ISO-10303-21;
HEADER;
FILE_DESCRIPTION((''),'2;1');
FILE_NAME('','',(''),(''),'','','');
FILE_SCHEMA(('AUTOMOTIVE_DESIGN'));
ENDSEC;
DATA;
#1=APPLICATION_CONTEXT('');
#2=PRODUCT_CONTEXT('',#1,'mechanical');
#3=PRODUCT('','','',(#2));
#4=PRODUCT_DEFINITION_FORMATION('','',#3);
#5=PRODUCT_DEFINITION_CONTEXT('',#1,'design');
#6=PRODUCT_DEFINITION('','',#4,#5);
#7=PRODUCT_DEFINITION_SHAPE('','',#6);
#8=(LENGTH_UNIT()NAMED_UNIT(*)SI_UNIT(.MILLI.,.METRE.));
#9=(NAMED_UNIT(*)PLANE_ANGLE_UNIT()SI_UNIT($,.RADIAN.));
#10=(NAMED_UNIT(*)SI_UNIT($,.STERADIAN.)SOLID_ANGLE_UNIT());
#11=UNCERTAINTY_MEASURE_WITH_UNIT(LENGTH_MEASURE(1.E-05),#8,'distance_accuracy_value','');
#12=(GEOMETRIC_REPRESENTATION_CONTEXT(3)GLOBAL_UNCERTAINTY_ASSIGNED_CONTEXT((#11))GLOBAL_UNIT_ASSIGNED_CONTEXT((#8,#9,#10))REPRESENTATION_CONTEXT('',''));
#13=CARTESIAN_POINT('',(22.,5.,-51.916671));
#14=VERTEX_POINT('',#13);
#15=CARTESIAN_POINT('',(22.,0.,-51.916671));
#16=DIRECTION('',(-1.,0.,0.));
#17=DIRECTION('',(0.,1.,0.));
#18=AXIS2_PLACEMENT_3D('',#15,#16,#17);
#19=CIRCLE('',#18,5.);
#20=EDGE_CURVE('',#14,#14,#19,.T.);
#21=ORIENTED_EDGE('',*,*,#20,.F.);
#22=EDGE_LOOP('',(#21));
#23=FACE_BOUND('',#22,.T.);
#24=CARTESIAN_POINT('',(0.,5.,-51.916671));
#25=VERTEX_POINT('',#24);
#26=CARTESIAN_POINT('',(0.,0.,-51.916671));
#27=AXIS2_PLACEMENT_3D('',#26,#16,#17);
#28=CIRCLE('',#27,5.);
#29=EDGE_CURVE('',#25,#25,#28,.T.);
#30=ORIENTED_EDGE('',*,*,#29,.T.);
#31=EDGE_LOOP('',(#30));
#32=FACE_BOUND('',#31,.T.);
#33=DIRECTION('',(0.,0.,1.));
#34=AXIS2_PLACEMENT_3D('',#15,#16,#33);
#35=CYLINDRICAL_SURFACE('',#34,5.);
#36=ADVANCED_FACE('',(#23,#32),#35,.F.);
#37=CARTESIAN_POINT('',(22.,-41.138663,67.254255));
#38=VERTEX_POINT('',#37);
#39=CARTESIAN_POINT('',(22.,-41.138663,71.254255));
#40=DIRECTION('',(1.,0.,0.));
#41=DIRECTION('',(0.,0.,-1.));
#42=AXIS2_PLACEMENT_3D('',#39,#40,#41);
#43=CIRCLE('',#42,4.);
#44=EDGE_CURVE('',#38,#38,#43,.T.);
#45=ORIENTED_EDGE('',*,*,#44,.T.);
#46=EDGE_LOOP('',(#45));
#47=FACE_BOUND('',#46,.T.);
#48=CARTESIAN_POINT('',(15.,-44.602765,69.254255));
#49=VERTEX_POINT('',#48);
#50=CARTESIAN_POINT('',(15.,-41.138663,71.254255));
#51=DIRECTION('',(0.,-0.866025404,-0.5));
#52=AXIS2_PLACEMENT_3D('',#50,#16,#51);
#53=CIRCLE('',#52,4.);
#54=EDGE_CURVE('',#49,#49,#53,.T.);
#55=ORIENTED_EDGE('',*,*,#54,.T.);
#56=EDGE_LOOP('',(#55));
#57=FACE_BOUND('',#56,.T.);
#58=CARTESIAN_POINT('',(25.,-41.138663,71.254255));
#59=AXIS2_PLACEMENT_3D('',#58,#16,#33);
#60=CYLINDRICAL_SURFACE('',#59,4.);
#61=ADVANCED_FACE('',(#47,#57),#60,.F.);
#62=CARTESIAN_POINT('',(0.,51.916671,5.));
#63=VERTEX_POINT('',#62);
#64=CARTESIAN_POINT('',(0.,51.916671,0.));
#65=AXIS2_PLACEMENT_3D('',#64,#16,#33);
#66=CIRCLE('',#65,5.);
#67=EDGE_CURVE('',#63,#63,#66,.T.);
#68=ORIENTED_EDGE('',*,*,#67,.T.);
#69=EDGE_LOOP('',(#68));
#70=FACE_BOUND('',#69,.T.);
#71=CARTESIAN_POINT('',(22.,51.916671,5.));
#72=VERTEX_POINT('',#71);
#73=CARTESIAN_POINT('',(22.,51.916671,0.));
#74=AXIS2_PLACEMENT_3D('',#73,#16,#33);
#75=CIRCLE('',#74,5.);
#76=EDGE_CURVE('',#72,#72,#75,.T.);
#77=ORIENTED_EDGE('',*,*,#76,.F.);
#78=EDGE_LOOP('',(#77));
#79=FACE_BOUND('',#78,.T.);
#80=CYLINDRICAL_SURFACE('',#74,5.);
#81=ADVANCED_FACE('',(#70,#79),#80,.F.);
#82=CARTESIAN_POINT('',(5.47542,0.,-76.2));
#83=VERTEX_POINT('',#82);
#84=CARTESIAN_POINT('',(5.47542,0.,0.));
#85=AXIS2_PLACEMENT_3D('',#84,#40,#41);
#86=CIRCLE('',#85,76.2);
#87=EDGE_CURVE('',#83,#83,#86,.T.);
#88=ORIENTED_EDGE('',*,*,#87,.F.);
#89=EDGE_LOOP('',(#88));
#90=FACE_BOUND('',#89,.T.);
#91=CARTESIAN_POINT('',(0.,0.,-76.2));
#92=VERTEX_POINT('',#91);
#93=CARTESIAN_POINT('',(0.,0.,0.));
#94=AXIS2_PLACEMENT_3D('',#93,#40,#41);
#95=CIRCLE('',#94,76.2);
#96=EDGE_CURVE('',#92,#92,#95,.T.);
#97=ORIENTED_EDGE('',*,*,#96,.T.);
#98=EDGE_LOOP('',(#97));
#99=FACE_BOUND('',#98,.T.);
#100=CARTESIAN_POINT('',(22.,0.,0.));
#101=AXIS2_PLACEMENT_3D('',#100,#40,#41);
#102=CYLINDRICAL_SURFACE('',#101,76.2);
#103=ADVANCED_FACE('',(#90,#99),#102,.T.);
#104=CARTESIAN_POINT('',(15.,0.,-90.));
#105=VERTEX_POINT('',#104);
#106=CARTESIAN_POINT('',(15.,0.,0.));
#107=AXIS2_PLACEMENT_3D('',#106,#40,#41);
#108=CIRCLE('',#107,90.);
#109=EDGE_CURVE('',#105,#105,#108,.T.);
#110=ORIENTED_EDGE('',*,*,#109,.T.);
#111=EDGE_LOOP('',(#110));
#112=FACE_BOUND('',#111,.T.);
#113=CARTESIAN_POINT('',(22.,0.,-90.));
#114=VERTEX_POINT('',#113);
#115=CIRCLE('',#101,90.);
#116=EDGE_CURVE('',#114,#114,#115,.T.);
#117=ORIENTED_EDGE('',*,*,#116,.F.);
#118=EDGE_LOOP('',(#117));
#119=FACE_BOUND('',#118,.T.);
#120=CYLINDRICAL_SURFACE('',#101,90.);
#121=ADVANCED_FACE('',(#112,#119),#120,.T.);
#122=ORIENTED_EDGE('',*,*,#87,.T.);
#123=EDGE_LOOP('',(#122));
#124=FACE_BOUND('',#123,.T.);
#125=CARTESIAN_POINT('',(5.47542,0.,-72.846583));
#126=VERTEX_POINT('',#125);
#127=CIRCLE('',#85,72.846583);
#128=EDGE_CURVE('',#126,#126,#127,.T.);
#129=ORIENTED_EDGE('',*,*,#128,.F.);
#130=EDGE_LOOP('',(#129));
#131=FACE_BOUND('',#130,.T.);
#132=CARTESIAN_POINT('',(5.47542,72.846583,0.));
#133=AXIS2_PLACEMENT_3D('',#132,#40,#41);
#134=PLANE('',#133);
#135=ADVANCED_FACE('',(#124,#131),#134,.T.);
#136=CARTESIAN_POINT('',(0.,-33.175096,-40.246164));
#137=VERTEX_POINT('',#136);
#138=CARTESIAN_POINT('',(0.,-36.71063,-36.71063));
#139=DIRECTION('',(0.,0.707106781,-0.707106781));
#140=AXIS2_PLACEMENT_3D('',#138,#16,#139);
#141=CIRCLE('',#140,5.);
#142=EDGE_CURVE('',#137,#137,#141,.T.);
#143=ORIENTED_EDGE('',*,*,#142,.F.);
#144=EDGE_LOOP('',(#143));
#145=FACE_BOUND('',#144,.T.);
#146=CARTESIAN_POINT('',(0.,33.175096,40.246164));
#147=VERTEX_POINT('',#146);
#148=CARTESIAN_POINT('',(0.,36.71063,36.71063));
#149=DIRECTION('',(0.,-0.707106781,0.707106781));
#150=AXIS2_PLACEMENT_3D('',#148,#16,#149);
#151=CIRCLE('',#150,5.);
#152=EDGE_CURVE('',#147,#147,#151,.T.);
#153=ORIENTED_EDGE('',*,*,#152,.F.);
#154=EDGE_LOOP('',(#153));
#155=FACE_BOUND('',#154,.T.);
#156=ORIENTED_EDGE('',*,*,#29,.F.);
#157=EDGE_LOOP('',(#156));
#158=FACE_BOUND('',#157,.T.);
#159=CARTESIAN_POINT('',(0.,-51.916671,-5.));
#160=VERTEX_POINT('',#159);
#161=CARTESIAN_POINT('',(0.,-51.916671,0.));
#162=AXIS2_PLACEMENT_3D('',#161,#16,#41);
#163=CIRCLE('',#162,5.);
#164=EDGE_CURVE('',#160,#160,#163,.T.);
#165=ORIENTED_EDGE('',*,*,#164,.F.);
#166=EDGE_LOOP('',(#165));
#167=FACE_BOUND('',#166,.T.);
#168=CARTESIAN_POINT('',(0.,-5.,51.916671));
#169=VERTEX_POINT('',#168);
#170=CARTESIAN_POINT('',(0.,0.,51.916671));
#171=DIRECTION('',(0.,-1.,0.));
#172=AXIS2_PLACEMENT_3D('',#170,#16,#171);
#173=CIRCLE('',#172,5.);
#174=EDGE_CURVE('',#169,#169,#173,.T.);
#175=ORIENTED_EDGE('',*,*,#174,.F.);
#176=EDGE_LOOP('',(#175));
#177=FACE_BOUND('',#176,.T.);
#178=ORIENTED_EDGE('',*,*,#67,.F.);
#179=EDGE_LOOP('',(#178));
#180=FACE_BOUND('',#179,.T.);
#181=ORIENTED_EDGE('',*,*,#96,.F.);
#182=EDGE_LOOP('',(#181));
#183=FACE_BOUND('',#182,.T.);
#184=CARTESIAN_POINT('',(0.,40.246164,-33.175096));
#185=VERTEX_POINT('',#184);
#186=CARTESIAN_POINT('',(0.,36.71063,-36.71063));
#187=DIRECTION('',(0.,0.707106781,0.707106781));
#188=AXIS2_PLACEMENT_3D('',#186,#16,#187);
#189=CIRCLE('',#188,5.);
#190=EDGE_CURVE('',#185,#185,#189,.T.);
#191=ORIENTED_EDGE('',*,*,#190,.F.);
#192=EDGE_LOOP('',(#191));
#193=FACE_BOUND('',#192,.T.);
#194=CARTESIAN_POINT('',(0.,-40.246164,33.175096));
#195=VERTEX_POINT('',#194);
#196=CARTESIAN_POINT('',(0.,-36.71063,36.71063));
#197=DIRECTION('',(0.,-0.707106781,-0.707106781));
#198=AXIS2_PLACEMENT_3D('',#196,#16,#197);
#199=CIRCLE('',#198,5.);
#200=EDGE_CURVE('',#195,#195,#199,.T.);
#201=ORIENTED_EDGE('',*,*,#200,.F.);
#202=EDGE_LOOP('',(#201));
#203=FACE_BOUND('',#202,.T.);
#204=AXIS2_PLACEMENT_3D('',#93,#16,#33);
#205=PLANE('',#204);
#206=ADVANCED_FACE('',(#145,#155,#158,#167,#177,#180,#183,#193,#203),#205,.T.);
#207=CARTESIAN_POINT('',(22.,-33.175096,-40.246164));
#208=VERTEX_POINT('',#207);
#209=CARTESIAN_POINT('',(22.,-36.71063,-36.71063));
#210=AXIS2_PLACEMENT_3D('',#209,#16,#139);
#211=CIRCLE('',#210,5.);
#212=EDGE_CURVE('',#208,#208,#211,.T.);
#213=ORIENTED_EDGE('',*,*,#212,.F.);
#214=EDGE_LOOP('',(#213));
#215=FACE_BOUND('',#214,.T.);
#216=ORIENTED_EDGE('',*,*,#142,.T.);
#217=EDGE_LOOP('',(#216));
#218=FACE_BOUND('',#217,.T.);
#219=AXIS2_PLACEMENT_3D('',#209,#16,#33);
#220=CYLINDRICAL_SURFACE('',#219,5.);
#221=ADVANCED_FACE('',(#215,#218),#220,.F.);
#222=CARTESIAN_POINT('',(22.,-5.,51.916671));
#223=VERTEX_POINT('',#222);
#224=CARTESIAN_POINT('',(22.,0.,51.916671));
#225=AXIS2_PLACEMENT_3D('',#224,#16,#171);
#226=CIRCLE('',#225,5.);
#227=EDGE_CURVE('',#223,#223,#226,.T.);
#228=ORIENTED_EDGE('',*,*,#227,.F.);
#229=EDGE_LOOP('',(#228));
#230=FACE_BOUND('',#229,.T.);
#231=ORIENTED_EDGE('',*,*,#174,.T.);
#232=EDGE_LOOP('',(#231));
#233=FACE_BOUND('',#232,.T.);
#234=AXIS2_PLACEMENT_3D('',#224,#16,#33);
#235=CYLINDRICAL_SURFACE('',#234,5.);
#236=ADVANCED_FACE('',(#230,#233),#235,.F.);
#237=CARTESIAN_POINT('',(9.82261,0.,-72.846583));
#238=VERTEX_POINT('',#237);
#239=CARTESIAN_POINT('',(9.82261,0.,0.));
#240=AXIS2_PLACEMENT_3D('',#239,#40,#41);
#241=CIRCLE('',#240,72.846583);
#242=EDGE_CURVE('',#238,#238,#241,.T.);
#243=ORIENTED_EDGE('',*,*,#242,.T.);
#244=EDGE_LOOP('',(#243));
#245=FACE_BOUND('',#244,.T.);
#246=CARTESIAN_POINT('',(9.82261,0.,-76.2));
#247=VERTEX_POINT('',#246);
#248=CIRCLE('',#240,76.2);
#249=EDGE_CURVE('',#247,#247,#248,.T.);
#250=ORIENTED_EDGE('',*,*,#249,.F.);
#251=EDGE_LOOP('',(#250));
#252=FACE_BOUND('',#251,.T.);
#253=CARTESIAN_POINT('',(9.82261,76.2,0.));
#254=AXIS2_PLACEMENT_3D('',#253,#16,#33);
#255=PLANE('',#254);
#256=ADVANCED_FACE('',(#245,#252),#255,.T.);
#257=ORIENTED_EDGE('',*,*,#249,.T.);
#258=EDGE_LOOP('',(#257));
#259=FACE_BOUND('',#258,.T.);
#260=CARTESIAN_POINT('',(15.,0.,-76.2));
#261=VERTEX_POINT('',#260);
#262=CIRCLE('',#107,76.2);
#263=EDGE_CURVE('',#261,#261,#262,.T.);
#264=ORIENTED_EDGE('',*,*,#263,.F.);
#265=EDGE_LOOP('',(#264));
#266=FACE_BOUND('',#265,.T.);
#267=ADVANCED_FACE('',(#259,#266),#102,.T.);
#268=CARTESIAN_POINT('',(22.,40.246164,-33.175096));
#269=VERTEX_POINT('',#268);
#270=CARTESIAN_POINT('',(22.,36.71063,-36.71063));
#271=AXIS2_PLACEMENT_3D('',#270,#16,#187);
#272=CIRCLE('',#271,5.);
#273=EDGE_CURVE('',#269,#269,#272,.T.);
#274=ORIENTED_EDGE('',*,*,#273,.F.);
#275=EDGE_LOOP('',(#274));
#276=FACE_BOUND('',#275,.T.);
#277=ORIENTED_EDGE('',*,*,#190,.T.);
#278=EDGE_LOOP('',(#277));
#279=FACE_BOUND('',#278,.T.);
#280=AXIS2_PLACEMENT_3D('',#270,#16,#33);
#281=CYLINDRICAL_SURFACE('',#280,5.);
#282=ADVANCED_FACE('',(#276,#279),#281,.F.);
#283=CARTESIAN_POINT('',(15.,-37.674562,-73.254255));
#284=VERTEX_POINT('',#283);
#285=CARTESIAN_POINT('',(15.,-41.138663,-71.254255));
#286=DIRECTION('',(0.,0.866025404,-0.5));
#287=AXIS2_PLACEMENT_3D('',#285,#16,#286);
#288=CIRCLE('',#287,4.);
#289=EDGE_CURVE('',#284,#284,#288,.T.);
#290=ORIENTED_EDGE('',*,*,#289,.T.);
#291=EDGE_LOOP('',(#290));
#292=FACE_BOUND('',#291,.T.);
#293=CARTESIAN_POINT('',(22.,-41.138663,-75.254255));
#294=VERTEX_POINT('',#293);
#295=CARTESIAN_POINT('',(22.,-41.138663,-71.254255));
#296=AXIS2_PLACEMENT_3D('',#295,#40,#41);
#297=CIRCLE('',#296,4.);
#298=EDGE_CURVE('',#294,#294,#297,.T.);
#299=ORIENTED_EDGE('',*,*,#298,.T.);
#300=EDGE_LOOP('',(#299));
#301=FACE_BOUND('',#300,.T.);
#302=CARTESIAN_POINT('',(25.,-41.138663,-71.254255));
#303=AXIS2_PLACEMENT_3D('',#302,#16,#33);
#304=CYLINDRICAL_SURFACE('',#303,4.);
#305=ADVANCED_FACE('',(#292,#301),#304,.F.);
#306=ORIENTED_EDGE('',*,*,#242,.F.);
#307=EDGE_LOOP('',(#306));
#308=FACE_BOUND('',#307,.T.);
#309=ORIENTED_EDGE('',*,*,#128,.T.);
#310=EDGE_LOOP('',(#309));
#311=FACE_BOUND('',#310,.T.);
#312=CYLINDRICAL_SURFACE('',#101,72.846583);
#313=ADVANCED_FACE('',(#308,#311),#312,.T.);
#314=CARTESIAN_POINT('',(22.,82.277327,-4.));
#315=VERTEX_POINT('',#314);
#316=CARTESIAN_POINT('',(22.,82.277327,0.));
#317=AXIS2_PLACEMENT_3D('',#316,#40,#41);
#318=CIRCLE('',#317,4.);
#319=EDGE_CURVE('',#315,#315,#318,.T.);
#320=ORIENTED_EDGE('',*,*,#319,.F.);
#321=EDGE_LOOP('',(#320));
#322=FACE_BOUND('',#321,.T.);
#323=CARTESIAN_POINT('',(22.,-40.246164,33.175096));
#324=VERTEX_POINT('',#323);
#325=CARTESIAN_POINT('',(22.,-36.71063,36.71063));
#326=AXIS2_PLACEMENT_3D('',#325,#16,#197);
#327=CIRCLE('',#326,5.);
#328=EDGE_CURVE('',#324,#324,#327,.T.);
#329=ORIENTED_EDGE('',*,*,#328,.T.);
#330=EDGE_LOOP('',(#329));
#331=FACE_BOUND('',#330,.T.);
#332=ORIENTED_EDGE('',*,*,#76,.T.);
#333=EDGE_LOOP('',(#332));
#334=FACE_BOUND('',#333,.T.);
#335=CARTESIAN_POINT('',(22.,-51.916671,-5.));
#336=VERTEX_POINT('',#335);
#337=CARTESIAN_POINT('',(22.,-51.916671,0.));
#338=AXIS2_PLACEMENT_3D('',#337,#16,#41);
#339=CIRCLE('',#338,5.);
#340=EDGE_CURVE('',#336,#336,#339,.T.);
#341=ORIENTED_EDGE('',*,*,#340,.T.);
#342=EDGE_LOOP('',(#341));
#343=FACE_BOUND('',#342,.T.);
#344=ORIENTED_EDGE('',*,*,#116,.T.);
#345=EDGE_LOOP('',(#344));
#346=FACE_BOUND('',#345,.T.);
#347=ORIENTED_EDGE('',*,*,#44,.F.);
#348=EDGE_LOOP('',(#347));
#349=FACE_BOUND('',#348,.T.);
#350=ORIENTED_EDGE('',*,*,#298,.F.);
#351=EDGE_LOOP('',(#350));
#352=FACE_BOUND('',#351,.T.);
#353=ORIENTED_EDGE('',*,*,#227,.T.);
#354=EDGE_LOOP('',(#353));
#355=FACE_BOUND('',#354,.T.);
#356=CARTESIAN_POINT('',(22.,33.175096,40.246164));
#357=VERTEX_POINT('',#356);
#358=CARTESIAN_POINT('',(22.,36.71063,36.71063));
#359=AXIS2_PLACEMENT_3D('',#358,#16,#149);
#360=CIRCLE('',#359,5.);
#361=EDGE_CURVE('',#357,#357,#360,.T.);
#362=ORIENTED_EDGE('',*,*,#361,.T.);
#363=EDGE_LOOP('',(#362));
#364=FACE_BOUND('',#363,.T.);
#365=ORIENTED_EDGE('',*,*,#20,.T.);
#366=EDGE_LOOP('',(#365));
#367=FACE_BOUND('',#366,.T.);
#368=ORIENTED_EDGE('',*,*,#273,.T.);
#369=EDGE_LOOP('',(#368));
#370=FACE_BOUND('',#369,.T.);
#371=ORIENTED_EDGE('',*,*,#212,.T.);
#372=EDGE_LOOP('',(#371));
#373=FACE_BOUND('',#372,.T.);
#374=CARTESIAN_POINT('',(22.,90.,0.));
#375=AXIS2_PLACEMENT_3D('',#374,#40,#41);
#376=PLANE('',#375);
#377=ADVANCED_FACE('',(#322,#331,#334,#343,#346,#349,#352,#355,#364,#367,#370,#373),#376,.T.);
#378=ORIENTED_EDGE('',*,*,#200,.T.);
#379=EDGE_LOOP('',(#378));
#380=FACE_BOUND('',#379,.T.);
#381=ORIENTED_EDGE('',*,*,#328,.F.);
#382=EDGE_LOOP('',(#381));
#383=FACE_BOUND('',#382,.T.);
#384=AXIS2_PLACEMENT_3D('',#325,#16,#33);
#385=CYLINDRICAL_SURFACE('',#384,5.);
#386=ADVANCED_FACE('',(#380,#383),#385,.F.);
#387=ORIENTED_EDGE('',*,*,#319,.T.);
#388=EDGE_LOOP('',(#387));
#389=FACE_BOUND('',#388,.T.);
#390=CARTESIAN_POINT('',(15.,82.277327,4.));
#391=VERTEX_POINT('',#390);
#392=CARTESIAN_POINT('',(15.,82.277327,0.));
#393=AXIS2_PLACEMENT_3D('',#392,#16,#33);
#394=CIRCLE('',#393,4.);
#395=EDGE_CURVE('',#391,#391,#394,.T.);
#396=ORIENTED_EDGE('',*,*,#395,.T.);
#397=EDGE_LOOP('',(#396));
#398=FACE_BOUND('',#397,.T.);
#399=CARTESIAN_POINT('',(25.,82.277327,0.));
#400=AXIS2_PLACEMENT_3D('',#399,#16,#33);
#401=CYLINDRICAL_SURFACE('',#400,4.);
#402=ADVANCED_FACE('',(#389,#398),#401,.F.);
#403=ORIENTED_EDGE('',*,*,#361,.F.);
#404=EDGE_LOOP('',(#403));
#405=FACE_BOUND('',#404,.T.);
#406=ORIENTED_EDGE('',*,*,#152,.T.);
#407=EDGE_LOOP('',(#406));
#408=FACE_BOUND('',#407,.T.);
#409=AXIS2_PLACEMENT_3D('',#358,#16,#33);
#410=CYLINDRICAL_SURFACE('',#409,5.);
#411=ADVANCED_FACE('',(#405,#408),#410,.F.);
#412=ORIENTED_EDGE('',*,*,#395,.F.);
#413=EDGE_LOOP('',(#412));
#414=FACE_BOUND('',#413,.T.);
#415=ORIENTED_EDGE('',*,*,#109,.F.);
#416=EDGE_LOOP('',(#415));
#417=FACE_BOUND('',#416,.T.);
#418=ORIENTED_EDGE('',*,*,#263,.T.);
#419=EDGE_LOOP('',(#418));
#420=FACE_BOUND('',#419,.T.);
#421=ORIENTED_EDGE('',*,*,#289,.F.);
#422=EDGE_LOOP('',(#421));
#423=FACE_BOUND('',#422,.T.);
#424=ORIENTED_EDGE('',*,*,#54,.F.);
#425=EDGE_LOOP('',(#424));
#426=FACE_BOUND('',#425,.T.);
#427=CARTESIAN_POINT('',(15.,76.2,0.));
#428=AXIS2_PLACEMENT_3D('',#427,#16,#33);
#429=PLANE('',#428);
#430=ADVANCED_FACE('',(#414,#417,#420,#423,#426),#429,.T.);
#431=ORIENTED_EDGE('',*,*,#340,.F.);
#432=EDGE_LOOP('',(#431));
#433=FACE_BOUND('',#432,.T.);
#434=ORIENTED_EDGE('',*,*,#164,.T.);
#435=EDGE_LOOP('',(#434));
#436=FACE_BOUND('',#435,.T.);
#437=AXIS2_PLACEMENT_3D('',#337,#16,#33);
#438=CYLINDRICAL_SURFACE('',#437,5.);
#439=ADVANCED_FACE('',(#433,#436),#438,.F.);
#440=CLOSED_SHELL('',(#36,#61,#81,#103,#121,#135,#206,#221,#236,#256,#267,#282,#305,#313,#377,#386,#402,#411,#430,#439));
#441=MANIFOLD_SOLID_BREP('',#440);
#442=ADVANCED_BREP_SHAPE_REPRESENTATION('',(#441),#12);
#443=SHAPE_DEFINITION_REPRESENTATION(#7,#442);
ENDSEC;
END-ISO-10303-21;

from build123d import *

# Parameters (mm, degrees)
SKETCH2_R          = 4
CUT_EXTRUDE1_DEPTH = 10
CIRPATTERN1_COUNT  = 3
SKETCH3_R          = 5
CUT_EXTRUDE2_DEPTH = 130.16655914
CIRPATTERN2_COUNT  = 8


with BuildPart() as part:
    # Sketch1 → Revolve1 (revolve)
    with BuildSketch(Plane.XY):
        Polygon((0, 0), (0, 76.2), (5.475419526, 76.2), (5.475419526, 72.846582988), (9.822609824, 72.846582988), (9.822609824, 76.2), (15, 76.2), (15, 90), (22, 90), (22, 0), align=None)
    revolve(axis=Axis((22, 0, 0), (-1, 0, 0)))

    # Sketch2 → Cut-Extrude1 (cut)
    with BuildSketch(Plane.ZY.offset(-15)):
        with Locations((0, 82.277326688)):
            Circle(SKETCH2_R)
    cut_extrude1 = extrude(amount=-CUT_EXTRUDE1_DEPTH, mode=Mode.SUBTRACT)

    # CirPattern1: Cut-Extrude1 ×3 about axis
    cirpattern1_axis = Axis((-80.9, 0, 0), (1, 0, 0))
    for i in range(1, CIRPATTERN1_COUNT):
        add(cut_extrude1.rotate(cirpattern1_axis, i * 360 / CIRPATTERN1_COUNT), mode=Mode.SUBTRACT)

    # Sketch3 → Cut-Extrude2 (cut, through all)
    with BuildSketch(Plane.ZY):
        with Locations((0, 51.916670562)):
            Circle(SKETCH3_R)
    cut_extrude2 = extrude(amount=-CUT_EXTRUDE2_DEPTH, mode=Mode.SUBTRACT)

    # CirPattern2: Cut-Extrude2 ×8 about axis
    cirpattern2_axis = Axis((-80.9, 0, 0), (1, 0, 0))
    for i in range(1, CIRPATTERN2_COUNT):
        add(cut_extrude2.rotate(cirpattern2_axis, i * 360 / CIRPATTERN2_COUNT), mode=Mode.SUBTRACT)


solid = part.part
